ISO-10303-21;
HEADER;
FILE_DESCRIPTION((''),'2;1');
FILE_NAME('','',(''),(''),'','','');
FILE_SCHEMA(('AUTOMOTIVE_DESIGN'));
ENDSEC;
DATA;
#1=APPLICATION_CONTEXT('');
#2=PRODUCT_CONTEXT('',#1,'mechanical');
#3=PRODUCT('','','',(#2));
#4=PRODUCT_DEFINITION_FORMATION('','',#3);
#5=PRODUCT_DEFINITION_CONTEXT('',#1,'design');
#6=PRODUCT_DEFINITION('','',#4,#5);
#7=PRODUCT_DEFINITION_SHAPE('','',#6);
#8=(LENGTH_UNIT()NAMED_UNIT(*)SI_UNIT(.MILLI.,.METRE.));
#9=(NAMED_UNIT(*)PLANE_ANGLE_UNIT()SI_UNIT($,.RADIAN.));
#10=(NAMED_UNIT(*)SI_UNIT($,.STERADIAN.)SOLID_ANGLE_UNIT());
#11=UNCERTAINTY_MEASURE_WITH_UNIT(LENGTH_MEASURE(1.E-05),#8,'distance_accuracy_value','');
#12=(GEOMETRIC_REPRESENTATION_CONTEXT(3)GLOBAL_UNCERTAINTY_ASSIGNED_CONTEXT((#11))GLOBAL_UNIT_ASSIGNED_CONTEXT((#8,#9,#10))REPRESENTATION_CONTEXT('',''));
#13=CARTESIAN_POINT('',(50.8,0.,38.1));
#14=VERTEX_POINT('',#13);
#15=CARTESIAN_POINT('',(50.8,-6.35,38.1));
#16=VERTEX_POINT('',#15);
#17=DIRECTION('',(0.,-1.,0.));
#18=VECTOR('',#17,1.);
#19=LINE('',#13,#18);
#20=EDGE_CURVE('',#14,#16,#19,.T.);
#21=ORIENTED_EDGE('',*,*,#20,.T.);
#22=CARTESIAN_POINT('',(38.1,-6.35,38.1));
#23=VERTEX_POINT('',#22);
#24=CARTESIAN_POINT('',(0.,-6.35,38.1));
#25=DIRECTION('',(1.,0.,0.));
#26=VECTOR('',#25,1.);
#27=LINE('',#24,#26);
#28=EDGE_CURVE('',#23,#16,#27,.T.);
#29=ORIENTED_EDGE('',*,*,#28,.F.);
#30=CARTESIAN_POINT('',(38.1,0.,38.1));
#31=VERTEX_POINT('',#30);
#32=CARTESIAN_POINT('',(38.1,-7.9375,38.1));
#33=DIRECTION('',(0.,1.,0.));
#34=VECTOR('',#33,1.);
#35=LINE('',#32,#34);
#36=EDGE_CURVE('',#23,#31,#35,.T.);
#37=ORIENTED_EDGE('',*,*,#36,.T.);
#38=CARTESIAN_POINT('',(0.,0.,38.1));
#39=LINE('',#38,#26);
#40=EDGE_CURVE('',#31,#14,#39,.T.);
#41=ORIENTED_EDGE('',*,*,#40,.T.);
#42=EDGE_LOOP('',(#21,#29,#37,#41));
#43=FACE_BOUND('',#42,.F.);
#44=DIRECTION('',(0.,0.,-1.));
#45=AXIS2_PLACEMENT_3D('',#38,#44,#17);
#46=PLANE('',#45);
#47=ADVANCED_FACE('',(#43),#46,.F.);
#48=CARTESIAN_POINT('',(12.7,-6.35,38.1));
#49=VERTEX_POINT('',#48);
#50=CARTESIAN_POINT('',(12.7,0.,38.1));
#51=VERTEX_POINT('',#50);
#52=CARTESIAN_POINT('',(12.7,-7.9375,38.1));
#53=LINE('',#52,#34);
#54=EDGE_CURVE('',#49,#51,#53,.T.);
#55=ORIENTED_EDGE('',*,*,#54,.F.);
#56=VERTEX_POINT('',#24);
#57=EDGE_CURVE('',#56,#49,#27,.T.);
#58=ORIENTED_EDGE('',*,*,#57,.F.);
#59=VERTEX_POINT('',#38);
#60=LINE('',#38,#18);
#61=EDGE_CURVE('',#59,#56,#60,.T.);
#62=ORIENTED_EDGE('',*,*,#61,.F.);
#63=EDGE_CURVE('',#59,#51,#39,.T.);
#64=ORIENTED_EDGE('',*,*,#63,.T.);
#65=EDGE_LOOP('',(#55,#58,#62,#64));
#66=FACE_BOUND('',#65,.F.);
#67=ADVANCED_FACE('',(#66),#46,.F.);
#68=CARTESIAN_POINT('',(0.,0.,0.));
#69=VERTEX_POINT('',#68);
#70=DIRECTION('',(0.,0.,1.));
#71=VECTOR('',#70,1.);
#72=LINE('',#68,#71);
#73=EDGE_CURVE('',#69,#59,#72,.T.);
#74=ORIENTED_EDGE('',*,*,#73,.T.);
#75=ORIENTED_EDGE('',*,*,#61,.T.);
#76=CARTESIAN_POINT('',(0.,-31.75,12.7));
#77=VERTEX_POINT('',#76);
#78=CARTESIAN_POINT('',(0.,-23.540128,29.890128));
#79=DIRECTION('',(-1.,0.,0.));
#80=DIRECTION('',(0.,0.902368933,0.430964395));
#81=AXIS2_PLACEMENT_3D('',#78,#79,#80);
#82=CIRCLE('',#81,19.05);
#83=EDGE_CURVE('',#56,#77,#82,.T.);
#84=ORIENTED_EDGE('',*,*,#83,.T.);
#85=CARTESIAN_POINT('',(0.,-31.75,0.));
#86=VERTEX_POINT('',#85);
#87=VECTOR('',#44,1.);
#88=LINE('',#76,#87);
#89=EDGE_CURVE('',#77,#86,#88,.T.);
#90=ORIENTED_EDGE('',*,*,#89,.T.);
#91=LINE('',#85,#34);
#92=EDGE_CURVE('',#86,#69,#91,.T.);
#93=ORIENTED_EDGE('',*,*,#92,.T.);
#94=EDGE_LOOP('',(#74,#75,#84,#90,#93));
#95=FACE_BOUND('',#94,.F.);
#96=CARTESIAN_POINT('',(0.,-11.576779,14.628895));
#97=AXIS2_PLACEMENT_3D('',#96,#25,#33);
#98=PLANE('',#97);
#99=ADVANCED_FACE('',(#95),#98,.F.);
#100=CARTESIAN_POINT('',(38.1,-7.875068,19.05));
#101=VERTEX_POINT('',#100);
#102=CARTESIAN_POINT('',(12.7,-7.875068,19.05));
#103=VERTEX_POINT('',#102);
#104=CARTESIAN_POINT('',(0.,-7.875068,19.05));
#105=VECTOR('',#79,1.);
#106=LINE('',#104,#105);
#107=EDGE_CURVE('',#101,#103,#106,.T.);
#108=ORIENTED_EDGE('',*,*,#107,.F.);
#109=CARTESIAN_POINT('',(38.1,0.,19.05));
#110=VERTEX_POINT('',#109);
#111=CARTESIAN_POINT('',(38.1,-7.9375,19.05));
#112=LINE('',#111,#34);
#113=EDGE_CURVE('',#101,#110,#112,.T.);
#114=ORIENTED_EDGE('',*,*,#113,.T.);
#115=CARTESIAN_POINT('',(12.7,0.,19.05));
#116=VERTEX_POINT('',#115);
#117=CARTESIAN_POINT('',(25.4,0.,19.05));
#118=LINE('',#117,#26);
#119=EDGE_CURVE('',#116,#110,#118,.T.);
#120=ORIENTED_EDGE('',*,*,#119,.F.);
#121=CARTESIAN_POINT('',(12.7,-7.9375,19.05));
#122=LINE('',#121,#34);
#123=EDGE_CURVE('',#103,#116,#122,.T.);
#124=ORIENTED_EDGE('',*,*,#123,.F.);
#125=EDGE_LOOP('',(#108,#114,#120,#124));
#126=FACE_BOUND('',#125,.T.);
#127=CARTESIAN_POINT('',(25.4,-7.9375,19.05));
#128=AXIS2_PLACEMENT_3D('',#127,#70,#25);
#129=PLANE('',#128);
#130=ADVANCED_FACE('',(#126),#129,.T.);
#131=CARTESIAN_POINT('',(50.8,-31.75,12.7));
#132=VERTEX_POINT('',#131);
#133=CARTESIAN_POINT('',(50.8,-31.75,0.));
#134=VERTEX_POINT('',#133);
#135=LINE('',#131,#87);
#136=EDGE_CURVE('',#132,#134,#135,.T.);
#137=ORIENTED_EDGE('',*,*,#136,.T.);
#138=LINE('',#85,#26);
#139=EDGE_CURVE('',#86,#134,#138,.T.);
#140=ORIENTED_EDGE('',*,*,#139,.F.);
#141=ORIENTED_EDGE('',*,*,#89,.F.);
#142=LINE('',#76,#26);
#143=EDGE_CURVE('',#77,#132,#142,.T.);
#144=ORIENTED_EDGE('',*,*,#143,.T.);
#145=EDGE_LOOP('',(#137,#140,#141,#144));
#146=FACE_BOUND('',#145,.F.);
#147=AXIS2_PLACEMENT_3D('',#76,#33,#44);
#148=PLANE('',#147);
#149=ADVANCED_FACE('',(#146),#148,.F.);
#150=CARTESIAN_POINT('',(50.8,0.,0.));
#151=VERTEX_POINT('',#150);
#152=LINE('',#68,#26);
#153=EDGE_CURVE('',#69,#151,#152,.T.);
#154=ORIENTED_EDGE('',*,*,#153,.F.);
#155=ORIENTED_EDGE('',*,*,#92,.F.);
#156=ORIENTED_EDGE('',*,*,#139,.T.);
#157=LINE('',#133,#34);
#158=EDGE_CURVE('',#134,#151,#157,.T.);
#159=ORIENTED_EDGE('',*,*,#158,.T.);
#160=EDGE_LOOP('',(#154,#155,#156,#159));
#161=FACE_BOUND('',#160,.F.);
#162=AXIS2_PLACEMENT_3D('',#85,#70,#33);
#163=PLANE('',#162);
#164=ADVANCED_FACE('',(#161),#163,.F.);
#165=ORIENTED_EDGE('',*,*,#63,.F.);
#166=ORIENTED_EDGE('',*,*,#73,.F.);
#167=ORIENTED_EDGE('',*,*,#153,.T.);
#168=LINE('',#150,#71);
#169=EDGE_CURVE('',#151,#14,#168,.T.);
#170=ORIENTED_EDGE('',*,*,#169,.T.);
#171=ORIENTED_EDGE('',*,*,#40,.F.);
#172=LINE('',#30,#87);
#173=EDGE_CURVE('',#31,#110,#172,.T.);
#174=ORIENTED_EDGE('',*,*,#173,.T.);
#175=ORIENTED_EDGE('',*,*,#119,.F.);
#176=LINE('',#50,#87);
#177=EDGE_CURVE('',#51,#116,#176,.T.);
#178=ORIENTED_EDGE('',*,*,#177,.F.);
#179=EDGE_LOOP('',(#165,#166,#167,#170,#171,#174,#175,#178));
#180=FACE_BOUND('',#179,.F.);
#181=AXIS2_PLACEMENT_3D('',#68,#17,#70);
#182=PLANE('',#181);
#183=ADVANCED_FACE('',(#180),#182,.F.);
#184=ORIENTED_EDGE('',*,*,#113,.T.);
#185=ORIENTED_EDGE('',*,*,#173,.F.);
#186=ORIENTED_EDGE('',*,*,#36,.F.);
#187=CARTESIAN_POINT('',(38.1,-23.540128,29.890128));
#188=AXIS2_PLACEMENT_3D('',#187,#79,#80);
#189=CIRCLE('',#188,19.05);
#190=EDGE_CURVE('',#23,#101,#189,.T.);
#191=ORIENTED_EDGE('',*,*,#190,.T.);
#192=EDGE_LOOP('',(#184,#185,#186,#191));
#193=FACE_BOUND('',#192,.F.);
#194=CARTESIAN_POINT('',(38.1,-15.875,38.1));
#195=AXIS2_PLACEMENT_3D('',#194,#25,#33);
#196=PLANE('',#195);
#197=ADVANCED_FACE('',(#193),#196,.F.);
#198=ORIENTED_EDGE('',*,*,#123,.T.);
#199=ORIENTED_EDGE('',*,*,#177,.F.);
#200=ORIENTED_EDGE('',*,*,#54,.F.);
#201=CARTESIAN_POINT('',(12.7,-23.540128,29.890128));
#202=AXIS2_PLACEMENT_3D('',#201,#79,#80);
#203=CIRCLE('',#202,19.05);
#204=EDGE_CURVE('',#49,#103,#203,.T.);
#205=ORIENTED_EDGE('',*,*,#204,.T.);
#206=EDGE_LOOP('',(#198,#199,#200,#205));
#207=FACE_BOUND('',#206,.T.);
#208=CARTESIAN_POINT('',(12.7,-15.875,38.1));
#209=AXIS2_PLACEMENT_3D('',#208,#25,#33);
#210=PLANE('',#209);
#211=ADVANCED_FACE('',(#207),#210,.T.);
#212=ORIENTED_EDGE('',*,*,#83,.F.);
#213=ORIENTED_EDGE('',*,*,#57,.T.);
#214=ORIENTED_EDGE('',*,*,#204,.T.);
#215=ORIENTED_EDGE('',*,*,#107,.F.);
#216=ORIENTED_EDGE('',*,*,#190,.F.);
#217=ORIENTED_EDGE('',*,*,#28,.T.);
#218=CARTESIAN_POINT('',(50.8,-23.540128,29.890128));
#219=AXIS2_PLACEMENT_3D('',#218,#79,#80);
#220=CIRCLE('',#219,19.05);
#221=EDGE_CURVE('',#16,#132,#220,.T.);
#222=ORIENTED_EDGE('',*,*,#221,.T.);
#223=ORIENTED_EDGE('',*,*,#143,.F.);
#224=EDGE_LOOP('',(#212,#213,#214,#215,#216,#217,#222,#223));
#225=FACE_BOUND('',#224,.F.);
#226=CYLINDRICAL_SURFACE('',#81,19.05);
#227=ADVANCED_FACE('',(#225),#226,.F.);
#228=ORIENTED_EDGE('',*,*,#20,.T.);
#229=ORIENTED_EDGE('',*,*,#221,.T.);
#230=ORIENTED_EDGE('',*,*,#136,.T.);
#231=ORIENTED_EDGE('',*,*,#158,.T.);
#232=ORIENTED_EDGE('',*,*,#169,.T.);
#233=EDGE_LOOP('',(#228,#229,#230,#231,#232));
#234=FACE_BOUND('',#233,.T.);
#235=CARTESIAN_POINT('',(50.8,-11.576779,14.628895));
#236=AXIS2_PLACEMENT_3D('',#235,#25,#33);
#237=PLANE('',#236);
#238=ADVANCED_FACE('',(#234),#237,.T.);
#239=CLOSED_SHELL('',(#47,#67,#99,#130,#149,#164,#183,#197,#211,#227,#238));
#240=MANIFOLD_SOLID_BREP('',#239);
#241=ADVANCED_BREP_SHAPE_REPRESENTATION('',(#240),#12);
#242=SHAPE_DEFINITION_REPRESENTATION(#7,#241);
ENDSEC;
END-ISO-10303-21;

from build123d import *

# Parameters (mm, degrees)
F1_DEPTH = 50.8
F2_W     = 25.4
F2_H     = 15.875
F3_DEPTH = 19.05


with BuildPart() as f1:
    # F0 (on Right) → F1 (new body)
    with BuildSketch(Plane.YZ):
        with BuildLine():
            Line((0, 0), (0, 38.1))
            Line((0, 38.1), (-6.35, 38.1))
            ThreePointArc((-6.35, 38.1), (-10.069744, 16.419744), (-31.75, 12.7))
            Line((-31.75, 12.7), (-31.75, 0))
            Line((-31.75, 0), (0, 0))
        make_face()
    extrude(amount=F1_DEPTH)

    # F2 (on face) → F3 (cut)
    with BuildSketch(Plane.XY.offset(38.1)):
        with Locations((25.4, -7.9375)):
            Rectangle(F2_W, F2_H)
    extrude(amount=-F3_DEPTH, mode=Mode.SUBTRACT)


solid = f1.part
